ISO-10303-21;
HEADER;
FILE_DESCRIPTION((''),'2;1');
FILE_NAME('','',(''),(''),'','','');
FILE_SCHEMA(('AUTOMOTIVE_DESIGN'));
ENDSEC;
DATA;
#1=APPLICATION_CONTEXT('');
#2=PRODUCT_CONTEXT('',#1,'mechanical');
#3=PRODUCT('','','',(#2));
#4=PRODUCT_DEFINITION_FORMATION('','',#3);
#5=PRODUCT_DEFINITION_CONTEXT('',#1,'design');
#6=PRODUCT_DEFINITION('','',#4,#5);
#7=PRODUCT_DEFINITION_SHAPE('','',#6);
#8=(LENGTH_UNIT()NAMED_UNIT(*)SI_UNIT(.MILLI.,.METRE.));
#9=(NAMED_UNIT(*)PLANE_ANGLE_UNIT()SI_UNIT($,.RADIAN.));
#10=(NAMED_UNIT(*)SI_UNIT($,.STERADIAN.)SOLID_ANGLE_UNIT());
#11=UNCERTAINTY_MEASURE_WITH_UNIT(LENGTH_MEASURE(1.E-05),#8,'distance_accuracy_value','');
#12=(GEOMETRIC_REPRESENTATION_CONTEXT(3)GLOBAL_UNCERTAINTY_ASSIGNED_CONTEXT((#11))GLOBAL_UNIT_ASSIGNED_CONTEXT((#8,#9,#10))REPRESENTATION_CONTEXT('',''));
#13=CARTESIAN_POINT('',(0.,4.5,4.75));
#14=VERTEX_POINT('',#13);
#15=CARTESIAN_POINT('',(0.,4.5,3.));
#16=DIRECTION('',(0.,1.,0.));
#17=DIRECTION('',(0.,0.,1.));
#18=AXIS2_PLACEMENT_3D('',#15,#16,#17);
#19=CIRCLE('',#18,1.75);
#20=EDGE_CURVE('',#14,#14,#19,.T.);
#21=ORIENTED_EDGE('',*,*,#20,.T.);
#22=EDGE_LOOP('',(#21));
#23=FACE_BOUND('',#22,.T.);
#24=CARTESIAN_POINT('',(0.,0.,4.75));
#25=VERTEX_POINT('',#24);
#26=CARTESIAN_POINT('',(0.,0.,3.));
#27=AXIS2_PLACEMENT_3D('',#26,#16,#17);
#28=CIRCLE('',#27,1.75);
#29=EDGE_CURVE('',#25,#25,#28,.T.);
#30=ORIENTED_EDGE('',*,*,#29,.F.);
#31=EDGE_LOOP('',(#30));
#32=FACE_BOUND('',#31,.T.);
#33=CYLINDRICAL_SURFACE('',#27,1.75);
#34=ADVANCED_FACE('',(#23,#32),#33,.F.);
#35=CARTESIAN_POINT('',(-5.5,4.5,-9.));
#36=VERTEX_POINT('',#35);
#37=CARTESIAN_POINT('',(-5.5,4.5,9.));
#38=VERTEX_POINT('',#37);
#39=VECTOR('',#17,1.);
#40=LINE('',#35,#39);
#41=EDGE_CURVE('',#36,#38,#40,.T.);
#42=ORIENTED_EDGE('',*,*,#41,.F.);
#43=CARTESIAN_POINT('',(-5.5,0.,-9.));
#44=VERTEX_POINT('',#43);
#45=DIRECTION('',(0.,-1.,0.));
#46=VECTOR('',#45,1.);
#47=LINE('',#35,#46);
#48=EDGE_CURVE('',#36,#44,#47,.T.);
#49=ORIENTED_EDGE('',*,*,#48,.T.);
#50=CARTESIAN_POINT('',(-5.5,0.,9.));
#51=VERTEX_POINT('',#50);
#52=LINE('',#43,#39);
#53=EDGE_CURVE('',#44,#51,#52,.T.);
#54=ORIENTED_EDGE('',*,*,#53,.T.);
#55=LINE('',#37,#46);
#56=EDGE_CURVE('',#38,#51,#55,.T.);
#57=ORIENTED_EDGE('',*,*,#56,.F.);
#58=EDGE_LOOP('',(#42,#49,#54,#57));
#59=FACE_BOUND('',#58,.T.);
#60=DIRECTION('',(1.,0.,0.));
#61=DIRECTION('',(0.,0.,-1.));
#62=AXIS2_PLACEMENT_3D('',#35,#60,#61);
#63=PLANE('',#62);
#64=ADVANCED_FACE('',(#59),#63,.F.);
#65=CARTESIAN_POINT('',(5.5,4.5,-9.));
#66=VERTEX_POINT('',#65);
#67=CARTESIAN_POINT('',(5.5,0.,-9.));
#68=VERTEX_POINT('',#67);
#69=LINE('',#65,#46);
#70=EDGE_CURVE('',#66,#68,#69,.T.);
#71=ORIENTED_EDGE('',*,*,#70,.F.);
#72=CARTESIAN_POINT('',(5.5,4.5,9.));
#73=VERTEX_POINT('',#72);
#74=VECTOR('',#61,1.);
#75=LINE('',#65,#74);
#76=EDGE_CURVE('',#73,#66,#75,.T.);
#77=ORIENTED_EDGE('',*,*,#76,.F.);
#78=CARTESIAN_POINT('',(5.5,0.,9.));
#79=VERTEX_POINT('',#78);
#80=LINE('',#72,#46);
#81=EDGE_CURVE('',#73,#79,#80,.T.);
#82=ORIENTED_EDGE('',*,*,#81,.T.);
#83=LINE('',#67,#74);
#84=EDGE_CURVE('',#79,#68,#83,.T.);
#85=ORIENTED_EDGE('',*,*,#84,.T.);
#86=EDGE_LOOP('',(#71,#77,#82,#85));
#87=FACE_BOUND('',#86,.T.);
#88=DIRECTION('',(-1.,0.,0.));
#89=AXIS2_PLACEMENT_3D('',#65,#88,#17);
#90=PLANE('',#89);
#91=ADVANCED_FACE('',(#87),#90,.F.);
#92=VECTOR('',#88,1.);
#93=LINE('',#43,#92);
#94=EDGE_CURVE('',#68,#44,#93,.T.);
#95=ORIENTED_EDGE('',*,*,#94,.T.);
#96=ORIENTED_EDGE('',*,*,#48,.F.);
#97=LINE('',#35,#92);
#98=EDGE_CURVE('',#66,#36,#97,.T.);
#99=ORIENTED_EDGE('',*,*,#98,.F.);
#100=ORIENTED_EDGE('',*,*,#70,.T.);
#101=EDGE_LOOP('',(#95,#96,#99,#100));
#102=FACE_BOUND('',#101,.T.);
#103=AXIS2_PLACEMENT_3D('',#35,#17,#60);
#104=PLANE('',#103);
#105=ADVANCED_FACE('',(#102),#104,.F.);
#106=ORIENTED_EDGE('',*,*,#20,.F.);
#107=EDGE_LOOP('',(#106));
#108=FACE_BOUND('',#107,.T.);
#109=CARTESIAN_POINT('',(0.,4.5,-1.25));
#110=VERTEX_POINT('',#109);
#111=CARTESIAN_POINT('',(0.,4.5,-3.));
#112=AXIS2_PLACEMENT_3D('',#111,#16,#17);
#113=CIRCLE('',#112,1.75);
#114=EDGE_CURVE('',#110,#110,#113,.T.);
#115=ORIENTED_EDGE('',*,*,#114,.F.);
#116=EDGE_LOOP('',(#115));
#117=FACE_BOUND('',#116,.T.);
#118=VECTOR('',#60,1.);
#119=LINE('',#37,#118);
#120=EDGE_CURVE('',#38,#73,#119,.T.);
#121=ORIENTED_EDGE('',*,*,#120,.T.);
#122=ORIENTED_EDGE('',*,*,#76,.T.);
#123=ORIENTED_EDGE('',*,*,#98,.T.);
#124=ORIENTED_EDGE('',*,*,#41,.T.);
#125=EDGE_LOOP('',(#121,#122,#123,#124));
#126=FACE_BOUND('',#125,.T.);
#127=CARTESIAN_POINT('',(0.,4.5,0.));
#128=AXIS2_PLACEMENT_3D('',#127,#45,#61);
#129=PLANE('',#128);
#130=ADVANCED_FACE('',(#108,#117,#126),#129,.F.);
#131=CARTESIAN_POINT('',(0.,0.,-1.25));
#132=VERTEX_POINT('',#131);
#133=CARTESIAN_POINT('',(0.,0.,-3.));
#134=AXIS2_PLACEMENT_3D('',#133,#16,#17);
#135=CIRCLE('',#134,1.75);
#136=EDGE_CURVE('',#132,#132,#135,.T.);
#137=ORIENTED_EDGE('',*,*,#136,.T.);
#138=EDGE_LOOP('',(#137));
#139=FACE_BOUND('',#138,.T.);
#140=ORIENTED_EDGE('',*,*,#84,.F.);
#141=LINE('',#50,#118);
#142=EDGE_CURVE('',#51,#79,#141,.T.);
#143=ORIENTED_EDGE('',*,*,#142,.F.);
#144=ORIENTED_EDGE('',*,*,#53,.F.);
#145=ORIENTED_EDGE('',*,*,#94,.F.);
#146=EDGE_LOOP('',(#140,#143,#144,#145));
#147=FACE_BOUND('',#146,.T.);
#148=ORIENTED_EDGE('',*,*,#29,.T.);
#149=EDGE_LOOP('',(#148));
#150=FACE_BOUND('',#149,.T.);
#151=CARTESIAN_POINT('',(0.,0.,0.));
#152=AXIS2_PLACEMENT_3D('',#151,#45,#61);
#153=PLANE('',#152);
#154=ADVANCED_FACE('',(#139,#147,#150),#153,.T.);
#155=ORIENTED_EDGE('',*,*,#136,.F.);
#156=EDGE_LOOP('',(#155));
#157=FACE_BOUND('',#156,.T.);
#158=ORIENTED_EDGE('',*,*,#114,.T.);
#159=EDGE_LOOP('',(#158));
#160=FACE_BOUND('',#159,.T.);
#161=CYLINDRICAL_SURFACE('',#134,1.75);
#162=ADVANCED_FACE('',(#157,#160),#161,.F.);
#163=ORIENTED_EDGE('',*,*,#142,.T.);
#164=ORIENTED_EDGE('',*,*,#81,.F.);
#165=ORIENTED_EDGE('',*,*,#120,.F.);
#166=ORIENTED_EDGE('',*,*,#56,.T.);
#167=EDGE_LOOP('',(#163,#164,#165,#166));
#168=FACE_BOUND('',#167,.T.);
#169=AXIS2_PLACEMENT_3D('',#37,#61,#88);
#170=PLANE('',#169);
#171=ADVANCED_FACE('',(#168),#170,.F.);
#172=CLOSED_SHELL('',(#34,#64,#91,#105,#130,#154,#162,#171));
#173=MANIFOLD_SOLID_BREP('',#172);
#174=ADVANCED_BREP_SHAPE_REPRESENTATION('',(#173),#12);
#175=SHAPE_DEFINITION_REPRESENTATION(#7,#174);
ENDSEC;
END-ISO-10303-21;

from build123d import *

# Parameters (mm, degrees)
SKETCH1_W           = 11
SKETCH1_H           = 18
BOSS_EXTRUDE1_DEPTH = 4.5
SKETCH2_R           = 1.75
CUT_EXTRUDE1_DEPTH  = 4.5


with BuildPart() as part:
    # Sketch1 → Boss-Extrude1 (new body)
    with BuildSketch(Plane(origin=(0, 0, 0), x_dir=(1, 0, 0), z_dir=(0, 1, 0))):
        Rectangle(SKETCH1_W, SKETCH1_H)
    extrude(amount=BOSS_EXTRUDE1_DEPTH)

    # Sketch2 → Cut-Extrude1 (cut)
    with BuildSketch(Plane(origin=(0, 4.5, 0), x_dir=(1, 0, 0), z_dir=(0, 1, 0))):
        with Locations(Location((0, -3, 0), (0, 0, 270))):
            Circle(SKETCH2_R)
        with Locations(Location((0, 3, 0), (0, 0, 270))):
            Circle(SKETCH2_R)
    extrude(amount=-CUT_EXTRUDE1_DEPTH, mode=Mode.SUBTRACT)


solid = part.part
